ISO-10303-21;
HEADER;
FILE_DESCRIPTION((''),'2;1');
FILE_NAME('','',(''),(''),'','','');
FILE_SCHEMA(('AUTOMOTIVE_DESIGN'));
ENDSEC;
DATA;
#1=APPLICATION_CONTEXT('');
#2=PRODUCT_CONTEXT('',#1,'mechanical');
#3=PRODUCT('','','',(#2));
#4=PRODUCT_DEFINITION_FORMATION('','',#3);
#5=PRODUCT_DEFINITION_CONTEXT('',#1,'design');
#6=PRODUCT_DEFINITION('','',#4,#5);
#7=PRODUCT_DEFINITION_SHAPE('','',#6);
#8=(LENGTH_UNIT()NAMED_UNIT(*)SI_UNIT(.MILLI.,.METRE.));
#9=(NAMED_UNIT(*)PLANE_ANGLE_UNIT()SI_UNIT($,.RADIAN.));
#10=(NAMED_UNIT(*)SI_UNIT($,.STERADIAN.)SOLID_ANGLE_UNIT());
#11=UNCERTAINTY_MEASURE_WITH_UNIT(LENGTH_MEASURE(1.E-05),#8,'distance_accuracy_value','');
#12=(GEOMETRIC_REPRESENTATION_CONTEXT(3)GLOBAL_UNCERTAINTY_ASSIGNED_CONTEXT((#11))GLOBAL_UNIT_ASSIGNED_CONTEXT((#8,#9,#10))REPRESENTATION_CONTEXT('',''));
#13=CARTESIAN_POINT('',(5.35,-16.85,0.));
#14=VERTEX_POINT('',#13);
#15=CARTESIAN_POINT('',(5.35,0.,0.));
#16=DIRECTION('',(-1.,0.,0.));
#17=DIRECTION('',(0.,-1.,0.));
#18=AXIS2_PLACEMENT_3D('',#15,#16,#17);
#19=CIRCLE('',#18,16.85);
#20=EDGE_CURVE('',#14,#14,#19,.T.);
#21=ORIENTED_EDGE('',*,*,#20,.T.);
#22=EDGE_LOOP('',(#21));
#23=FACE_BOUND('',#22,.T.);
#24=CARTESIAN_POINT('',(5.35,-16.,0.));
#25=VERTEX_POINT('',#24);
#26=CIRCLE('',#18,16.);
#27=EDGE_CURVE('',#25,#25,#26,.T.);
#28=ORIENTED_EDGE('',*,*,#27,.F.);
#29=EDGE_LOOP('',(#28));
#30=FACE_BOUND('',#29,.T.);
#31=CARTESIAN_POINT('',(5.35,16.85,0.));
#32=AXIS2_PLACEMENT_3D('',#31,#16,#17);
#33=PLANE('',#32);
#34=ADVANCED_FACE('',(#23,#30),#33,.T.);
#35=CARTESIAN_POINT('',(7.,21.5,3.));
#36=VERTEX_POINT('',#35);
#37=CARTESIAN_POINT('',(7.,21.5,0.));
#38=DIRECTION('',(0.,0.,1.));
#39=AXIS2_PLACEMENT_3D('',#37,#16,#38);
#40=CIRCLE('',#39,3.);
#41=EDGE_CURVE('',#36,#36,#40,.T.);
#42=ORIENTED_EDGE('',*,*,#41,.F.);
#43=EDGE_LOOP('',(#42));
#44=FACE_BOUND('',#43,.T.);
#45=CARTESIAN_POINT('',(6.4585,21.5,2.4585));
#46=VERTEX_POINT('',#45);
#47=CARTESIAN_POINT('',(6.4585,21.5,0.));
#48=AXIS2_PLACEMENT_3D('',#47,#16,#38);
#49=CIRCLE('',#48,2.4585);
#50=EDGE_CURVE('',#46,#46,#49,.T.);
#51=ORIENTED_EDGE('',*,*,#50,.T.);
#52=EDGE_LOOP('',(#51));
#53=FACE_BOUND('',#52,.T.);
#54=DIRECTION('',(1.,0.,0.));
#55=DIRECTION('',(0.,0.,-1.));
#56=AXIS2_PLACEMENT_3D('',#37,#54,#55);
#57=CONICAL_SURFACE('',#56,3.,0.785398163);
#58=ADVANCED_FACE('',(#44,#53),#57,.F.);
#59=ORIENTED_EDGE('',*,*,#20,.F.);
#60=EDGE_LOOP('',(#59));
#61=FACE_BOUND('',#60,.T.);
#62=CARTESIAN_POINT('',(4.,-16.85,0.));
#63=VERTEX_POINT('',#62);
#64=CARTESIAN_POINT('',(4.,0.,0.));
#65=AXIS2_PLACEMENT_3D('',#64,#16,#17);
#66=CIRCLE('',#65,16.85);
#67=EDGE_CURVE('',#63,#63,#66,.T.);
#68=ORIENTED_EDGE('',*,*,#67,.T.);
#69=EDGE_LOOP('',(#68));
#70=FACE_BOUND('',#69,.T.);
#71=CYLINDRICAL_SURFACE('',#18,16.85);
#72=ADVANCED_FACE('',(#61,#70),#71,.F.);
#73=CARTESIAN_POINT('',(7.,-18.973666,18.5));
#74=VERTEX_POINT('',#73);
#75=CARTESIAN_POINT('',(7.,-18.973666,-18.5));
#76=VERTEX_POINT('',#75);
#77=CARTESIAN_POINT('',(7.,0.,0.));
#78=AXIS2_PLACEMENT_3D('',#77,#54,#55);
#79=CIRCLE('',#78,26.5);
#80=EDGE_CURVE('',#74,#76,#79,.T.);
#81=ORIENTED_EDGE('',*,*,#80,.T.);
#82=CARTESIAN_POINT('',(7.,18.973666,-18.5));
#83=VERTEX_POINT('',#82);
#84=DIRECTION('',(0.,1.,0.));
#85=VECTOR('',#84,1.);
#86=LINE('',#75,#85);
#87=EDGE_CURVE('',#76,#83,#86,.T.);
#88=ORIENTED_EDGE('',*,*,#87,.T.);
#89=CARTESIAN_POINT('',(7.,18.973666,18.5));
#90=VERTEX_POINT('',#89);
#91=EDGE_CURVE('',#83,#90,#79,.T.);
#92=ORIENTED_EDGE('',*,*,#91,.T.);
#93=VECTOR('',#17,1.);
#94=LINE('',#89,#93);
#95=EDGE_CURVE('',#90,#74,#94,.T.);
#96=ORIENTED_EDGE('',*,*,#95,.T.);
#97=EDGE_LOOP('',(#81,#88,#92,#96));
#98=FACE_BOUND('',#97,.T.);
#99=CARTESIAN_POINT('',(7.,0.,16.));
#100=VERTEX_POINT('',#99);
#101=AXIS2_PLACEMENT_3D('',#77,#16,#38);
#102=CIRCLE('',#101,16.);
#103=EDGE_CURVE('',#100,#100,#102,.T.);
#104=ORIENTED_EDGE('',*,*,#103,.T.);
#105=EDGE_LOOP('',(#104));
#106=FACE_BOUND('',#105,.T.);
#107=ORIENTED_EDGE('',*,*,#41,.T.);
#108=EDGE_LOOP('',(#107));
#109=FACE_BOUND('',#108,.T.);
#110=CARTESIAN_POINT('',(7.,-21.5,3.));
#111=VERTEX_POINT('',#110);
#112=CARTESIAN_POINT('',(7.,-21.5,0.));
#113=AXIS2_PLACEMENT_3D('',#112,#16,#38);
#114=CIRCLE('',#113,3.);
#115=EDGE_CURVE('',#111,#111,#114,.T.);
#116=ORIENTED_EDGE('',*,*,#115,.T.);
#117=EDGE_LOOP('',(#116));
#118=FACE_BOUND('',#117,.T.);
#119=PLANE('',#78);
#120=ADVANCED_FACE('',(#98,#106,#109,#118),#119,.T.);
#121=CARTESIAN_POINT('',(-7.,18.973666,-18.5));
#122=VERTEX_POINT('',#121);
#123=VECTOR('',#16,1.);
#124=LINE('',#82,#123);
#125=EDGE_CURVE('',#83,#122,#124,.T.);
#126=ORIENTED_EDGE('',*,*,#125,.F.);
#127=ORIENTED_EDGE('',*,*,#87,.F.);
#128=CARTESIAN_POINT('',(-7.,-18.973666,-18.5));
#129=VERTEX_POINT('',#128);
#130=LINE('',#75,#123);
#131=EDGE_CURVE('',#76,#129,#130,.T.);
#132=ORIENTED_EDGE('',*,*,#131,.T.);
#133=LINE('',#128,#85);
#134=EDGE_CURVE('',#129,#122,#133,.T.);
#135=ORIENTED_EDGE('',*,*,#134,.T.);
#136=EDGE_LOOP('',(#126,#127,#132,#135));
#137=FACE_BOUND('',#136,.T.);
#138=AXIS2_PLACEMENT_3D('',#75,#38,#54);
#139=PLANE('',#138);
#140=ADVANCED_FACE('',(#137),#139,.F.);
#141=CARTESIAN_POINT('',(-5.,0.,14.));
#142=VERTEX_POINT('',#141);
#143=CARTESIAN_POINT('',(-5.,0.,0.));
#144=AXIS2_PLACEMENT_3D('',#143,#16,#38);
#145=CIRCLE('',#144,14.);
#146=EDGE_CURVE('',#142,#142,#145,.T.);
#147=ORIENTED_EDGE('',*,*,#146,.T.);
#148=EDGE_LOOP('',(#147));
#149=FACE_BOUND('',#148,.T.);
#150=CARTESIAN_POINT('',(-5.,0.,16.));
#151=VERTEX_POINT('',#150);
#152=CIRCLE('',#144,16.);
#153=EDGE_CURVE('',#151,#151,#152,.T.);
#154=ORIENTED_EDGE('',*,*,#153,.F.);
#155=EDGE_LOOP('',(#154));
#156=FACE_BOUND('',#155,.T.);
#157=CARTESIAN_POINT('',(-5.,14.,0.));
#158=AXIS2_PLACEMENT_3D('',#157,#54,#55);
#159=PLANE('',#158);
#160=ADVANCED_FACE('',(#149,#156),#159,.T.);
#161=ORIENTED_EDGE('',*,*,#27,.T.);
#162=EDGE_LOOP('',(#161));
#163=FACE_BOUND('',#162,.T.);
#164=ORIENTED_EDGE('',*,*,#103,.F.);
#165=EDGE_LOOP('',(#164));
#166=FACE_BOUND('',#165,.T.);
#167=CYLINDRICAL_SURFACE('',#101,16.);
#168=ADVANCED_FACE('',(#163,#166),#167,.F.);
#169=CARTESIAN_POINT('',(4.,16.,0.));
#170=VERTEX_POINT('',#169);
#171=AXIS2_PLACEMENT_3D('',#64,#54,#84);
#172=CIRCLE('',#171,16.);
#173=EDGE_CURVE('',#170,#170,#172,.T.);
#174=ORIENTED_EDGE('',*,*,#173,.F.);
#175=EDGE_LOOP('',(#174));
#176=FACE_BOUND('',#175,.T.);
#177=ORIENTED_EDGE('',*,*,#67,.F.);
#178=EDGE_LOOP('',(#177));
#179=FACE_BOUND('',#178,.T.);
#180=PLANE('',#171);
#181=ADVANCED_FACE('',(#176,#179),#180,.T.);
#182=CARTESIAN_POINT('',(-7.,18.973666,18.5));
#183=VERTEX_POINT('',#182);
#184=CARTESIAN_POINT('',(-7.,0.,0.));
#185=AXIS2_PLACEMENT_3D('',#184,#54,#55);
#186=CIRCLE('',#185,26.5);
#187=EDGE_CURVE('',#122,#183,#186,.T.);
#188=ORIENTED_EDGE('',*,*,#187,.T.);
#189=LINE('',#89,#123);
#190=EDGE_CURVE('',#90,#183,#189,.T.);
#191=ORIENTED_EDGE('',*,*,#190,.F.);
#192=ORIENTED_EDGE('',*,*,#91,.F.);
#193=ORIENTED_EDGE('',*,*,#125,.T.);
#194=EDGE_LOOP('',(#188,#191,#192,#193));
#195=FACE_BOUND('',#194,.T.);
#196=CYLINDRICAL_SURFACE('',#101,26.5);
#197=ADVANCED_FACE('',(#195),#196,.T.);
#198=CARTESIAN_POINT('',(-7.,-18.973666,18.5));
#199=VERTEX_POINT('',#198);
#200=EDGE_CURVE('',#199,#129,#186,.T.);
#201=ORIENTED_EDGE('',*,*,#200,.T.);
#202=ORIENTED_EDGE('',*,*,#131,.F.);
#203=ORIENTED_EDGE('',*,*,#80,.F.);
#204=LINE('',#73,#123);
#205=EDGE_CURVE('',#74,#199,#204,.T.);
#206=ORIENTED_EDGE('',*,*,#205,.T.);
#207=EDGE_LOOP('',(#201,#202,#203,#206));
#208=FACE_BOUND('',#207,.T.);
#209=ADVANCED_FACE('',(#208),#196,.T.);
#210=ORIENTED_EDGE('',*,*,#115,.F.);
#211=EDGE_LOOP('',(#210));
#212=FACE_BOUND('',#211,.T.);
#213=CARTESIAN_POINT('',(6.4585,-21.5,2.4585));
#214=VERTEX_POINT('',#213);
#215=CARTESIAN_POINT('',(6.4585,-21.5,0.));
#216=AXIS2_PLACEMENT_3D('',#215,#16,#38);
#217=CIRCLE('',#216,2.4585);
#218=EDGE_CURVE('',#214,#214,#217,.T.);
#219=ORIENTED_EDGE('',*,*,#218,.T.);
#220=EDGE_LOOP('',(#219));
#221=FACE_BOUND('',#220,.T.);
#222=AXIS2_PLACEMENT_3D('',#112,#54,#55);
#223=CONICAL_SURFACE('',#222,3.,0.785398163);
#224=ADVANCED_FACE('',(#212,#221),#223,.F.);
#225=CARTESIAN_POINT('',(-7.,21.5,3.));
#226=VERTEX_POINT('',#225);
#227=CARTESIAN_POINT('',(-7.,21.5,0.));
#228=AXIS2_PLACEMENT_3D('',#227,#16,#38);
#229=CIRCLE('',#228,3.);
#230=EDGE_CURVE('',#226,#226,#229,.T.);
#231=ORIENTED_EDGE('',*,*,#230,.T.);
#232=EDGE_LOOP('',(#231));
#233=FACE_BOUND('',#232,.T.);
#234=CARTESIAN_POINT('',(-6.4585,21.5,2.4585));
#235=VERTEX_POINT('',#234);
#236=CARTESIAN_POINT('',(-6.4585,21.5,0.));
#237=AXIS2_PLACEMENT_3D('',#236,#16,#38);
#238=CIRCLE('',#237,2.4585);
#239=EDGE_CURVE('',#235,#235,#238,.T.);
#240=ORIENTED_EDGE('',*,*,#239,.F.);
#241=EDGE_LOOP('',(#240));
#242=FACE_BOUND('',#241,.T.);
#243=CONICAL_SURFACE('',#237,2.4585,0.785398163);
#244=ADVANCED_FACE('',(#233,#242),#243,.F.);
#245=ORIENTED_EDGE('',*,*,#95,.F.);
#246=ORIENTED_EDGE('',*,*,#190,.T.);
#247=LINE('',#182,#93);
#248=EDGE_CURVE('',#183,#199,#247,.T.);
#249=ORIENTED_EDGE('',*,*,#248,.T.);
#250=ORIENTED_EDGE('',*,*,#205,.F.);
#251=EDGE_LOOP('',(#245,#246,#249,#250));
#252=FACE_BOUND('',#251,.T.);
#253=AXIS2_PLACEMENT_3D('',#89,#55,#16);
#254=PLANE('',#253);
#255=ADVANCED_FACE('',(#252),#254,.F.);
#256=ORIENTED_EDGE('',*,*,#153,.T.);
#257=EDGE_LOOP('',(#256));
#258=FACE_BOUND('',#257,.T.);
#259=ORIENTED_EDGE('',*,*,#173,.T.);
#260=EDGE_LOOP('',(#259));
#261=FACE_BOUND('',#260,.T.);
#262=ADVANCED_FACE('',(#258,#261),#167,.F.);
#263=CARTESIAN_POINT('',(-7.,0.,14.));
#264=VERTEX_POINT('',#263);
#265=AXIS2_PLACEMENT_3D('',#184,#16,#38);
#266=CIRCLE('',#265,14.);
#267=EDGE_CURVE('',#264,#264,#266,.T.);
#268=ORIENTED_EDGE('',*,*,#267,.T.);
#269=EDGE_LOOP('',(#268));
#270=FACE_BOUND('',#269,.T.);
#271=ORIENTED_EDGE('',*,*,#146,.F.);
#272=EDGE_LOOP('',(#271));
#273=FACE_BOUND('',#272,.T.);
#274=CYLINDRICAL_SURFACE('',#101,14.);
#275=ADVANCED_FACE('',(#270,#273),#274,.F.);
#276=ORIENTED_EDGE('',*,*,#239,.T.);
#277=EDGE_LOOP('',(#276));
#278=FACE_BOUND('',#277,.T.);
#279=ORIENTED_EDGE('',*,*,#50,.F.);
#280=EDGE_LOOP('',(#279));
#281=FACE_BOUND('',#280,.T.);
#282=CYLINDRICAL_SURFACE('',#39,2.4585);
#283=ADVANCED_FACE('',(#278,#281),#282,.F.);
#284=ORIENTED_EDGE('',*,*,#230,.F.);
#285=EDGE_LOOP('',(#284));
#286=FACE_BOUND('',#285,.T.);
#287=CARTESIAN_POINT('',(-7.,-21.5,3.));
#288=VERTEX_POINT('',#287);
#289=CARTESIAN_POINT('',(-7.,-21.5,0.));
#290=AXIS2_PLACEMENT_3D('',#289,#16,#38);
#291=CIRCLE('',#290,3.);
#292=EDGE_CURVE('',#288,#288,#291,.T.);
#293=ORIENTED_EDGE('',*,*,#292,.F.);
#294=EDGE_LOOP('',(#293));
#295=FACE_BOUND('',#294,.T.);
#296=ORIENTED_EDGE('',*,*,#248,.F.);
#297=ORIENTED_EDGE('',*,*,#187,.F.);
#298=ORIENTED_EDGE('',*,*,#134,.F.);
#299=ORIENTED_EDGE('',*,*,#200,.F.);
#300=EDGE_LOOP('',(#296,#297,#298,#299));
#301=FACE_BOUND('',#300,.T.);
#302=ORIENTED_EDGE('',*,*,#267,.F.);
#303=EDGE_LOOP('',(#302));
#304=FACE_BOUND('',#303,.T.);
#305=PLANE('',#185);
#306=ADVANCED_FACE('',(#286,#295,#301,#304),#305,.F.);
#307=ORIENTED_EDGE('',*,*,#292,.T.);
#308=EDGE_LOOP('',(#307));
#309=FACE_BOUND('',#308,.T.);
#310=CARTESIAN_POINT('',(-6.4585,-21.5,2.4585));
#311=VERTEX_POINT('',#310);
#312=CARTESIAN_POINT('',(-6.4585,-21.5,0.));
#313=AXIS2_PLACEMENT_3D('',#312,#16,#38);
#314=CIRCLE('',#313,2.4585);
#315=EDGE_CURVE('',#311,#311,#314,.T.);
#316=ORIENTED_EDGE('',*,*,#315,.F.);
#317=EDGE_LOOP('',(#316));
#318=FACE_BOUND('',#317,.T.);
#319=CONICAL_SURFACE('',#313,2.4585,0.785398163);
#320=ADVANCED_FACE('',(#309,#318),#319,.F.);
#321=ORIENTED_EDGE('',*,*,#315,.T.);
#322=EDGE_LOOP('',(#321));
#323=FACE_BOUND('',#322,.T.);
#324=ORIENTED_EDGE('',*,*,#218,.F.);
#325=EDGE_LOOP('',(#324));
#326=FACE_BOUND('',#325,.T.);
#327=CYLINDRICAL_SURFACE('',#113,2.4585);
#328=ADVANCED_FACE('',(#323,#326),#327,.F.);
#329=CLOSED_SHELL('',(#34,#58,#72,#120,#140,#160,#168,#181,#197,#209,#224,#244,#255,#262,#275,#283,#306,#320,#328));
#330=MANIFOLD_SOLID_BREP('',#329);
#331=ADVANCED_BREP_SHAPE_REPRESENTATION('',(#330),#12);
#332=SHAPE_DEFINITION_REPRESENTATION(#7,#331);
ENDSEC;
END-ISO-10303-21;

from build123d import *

# Parameters (mm, degrees)
BOSS_EXTRUDE1_DEPTH      = 7
BOSS_EXTRUDE1_DEPTH_BACK = 7
SKETCH3_W                = 1.35
SKETCH3_H                = 16.85


with BuildPart() as part:
    # Sketch1 → Boss-Extrude1 (new, two sides: drawn at the far end of the back side and taken through both)
    with BuildSketch(Plane(origin=(0, 0, 0), x_dir=(0, 0, -1), z_dir=(1, 0, 0)).offset(-BOSS_EXTRUDE1_DEPTH_BACK)):
        with BuildLine():
            Line((-18.5, 18.973665961), (-18.5, -18.973665961))
            ThreePointArc((-18.5, -18.973665961), (0, -26.5), (18.5, -18.973665961))
            Line((18.5, -18.973665961), (18.5, 18.973665961))
            ThreePointArc((18.5, 18.973665961), (0, 26.5), (-18.5, 18.973665961))
        make_face()
    extrude(amount=BOSS_EXTRUDE1_DEPTH + BOSS_EXTRUDE1_DEPTH_BACK)

    # Sketch2 → Cut-Revolve1 (revolve, cut)
    with BuildSketch(Plane.XY):
        Polygon((-7, 0), (-7, 14), (-5, 14), (-5, 16), (7, 16), (7, 0), align=None)
    revolve(axis=Axis((7, 0, 0), (-1, 0, 0)), mode=Mode.SUBTRACT)

    # Sketch3 → Cut-Revolve2 (revolve, cut)
    with BuildSketch(Plane.XY):
        with Locations((4.675, 8.425)):
            Rectangle(SKETCH3_W, SKETCH3_H)
    revolve(axis=Axis((5.35, 0, 0), (-1, 0, 0)), mode=Mode.SUBTRACT)

    # Sketch4 → Cut-Revolve3 (revolve, cut)
    with BuildSketch(Plane.XY):
        Polygon((-7, -21.5), (-7, -18.5), (-6.4585, -19.0415), (6.4585, -19.0415), (7, -18.5), (7, -21.5), align=None)
    revolve(axis=Axis((7, -21.5, 0), (-1, 0, 0)), mode=Mode.SUBTRACT)

    # Sketch5 → Cut-Revolve4 (revolve, cut)
    with BuildSketch(Plane.XY):
        Polygon((-7, 21.5), (-7, 24.5), (-6.4585, 23.9585), (6.4585, 23.9585), (7, 24.5), (7, 21.5), align=None)
    revolve(axis=Axis((7, 21.5, 0), (-1, 0, 0)), mode=Mode.SUBTRACT)


solid = part.part
